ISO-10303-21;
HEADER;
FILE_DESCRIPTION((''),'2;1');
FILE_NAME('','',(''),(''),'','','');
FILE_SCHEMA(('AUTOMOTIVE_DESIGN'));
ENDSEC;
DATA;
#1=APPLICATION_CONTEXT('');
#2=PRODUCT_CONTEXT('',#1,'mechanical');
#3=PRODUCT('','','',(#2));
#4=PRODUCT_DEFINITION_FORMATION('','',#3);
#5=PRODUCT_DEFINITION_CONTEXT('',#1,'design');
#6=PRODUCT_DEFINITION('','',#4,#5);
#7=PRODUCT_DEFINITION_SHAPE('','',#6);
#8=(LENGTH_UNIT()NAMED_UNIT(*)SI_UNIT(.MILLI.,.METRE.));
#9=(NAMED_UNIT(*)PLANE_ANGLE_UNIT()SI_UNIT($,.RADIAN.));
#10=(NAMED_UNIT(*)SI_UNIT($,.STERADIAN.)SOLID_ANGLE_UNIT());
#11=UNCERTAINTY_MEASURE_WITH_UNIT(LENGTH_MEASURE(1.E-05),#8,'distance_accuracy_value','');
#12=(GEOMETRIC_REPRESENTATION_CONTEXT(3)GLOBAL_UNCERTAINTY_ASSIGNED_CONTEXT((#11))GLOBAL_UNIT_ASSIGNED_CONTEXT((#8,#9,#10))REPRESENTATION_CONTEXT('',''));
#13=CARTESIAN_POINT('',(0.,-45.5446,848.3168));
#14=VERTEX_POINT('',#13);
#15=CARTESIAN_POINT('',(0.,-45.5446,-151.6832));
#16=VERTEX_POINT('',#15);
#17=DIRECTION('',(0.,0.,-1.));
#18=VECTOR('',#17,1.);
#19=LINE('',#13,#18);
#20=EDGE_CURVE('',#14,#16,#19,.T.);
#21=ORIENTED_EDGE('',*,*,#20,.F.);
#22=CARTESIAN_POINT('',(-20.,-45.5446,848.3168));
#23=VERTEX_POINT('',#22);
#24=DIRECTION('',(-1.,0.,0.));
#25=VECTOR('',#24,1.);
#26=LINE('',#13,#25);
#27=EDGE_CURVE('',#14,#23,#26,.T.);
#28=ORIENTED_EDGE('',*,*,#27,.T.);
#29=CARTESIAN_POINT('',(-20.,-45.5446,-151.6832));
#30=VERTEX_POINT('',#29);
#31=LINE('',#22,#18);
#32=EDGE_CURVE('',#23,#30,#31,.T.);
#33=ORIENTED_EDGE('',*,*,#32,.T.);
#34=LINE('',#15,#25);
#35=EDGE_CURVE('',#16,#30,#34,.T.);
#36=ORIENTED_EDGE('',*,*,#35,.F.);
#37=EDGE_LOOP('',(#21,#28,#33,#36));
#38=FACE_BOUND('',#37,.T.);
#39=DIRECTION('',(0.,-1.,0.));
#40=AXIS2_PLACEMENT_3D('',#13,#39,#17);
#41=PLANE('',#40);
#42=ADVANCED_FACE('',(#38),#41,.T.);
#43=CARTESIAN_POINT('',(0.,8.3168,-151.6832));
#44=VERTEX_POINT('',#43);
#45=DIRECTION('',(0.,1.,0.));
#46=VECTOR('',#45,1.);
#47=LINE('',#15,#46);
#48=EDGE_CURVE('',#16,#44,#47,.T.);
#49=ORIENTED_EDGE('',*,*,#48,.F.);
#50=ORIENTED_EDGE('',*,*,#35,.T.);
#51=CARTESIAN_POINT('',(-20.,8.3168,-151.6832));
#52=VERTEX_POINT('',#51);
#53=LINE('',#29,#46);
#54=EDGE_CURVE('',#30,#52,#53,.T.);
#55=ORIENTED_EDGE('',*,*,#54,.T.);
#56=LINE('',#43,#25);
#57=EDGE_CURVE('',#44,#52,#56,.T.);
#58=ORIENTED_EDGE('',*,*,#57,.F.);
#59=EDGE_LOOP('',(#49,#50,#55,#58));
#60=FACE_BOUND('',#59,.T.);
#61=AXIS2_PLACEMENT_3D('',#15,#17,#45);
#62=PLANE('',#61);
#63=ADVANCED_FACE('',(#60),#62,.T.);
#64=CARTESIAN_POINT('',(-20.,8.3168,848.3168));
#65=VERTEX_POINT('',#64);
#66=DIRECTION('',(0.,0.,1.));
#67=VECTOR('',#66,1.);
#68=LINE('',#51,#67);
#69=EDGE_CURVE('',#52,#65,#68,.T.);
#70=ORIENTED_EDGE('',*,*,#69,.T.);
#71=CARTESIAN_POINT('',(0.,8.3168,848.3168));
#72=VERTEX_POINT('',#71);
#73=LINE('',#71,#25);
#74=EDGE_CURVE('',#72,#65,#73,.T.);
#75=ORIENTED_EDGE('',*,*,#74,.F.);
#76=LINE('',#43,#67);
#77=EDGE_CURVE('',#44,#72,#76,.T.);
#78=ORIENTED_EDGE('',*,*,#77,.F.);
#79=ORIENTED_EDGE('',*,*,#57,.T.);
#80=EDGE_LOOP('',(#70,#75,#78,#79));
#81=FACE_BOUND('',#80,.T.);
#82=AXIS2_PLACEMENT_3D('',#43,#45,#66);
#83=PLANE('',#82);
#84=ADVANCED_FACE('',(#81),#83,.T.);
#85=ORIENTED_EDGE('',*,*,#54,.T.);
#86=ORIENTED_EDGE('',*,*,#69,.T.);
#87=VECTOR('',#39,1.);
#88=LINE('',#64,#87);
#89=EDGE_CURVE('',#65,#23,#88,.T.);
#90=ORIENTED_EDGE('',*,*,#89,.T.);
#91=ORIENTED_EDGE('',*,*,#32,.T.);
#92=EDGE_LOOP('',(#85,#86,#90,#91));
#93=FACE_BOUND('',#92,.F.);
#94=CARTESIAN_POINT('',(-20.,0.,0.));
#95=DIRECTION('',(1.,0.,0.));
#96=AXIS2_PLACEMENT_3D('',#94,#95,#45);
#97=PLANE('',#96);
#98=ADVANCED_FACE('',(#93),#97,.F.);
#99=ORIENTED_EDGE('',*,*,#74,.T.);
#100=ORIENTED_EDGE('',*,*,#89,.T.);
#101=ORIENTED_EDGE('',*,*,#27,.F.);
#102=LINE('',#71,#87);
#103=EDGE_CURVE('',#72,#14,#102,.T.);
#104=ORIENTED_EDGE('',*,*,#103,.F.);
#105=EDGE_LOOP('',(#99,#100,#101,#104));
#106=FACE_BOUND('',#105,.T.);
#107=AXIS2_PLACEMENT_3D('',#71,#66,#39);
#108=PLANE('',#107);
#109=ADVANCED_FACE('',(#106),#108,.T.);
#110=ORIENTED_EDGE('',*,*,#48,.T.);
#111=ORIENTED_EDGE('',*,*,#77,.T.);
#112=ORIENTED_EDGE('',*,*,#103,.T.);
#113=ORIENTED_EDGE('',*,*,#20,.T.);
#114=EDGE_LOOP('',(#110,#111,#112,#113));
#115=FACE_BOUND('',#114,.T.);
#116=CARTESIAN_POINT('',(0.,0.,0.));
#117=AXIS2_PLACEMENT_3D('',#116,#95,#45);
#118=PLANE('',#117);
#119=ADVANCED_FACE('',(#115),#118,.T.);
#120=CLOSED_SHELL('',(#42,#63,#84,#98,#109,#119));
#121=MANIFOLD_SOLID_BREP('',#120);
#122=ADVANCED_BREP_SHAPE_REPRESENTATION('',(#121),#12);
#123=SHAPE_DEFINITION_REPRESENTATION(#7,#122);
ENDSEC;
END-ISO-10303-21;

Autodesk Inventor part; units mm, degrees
ref_plane "YZ Plane" through (0, 0, 0) normal (1, 0, 0) x (0, 1, 0)
ref_plane "XZ Plane" through (0, 0, 0) normal (0, 1, 0) x (-1, 0, 0)
ref_plane "XY Plane" through (0, 0, 0) normal (0, 0, 1) x (1, 0, 0)
sketch "Эскиз1" plane through (0, 0, 0) normal (1, 0, 0) x (0, 1, 0)
  line L0 (8.3168, 848.3168) -> (-45.5446, 848.3168)
  line L1 (-45.5446, 848.3168) -> (-45.5446, -151.6832)
  line L2 (-45.5446, -151.6832) -> (8.3168, -151.6832)
  line L3 (8.3168, -151.6832) -> (8.3168, 848.3168)
  point P0 (0, 0)
  dimension "d0" = 1000
extrude "Выдавливание1" add sketch "Эскиз1" against normal blind 20
properties part number "lw_6_part3"
